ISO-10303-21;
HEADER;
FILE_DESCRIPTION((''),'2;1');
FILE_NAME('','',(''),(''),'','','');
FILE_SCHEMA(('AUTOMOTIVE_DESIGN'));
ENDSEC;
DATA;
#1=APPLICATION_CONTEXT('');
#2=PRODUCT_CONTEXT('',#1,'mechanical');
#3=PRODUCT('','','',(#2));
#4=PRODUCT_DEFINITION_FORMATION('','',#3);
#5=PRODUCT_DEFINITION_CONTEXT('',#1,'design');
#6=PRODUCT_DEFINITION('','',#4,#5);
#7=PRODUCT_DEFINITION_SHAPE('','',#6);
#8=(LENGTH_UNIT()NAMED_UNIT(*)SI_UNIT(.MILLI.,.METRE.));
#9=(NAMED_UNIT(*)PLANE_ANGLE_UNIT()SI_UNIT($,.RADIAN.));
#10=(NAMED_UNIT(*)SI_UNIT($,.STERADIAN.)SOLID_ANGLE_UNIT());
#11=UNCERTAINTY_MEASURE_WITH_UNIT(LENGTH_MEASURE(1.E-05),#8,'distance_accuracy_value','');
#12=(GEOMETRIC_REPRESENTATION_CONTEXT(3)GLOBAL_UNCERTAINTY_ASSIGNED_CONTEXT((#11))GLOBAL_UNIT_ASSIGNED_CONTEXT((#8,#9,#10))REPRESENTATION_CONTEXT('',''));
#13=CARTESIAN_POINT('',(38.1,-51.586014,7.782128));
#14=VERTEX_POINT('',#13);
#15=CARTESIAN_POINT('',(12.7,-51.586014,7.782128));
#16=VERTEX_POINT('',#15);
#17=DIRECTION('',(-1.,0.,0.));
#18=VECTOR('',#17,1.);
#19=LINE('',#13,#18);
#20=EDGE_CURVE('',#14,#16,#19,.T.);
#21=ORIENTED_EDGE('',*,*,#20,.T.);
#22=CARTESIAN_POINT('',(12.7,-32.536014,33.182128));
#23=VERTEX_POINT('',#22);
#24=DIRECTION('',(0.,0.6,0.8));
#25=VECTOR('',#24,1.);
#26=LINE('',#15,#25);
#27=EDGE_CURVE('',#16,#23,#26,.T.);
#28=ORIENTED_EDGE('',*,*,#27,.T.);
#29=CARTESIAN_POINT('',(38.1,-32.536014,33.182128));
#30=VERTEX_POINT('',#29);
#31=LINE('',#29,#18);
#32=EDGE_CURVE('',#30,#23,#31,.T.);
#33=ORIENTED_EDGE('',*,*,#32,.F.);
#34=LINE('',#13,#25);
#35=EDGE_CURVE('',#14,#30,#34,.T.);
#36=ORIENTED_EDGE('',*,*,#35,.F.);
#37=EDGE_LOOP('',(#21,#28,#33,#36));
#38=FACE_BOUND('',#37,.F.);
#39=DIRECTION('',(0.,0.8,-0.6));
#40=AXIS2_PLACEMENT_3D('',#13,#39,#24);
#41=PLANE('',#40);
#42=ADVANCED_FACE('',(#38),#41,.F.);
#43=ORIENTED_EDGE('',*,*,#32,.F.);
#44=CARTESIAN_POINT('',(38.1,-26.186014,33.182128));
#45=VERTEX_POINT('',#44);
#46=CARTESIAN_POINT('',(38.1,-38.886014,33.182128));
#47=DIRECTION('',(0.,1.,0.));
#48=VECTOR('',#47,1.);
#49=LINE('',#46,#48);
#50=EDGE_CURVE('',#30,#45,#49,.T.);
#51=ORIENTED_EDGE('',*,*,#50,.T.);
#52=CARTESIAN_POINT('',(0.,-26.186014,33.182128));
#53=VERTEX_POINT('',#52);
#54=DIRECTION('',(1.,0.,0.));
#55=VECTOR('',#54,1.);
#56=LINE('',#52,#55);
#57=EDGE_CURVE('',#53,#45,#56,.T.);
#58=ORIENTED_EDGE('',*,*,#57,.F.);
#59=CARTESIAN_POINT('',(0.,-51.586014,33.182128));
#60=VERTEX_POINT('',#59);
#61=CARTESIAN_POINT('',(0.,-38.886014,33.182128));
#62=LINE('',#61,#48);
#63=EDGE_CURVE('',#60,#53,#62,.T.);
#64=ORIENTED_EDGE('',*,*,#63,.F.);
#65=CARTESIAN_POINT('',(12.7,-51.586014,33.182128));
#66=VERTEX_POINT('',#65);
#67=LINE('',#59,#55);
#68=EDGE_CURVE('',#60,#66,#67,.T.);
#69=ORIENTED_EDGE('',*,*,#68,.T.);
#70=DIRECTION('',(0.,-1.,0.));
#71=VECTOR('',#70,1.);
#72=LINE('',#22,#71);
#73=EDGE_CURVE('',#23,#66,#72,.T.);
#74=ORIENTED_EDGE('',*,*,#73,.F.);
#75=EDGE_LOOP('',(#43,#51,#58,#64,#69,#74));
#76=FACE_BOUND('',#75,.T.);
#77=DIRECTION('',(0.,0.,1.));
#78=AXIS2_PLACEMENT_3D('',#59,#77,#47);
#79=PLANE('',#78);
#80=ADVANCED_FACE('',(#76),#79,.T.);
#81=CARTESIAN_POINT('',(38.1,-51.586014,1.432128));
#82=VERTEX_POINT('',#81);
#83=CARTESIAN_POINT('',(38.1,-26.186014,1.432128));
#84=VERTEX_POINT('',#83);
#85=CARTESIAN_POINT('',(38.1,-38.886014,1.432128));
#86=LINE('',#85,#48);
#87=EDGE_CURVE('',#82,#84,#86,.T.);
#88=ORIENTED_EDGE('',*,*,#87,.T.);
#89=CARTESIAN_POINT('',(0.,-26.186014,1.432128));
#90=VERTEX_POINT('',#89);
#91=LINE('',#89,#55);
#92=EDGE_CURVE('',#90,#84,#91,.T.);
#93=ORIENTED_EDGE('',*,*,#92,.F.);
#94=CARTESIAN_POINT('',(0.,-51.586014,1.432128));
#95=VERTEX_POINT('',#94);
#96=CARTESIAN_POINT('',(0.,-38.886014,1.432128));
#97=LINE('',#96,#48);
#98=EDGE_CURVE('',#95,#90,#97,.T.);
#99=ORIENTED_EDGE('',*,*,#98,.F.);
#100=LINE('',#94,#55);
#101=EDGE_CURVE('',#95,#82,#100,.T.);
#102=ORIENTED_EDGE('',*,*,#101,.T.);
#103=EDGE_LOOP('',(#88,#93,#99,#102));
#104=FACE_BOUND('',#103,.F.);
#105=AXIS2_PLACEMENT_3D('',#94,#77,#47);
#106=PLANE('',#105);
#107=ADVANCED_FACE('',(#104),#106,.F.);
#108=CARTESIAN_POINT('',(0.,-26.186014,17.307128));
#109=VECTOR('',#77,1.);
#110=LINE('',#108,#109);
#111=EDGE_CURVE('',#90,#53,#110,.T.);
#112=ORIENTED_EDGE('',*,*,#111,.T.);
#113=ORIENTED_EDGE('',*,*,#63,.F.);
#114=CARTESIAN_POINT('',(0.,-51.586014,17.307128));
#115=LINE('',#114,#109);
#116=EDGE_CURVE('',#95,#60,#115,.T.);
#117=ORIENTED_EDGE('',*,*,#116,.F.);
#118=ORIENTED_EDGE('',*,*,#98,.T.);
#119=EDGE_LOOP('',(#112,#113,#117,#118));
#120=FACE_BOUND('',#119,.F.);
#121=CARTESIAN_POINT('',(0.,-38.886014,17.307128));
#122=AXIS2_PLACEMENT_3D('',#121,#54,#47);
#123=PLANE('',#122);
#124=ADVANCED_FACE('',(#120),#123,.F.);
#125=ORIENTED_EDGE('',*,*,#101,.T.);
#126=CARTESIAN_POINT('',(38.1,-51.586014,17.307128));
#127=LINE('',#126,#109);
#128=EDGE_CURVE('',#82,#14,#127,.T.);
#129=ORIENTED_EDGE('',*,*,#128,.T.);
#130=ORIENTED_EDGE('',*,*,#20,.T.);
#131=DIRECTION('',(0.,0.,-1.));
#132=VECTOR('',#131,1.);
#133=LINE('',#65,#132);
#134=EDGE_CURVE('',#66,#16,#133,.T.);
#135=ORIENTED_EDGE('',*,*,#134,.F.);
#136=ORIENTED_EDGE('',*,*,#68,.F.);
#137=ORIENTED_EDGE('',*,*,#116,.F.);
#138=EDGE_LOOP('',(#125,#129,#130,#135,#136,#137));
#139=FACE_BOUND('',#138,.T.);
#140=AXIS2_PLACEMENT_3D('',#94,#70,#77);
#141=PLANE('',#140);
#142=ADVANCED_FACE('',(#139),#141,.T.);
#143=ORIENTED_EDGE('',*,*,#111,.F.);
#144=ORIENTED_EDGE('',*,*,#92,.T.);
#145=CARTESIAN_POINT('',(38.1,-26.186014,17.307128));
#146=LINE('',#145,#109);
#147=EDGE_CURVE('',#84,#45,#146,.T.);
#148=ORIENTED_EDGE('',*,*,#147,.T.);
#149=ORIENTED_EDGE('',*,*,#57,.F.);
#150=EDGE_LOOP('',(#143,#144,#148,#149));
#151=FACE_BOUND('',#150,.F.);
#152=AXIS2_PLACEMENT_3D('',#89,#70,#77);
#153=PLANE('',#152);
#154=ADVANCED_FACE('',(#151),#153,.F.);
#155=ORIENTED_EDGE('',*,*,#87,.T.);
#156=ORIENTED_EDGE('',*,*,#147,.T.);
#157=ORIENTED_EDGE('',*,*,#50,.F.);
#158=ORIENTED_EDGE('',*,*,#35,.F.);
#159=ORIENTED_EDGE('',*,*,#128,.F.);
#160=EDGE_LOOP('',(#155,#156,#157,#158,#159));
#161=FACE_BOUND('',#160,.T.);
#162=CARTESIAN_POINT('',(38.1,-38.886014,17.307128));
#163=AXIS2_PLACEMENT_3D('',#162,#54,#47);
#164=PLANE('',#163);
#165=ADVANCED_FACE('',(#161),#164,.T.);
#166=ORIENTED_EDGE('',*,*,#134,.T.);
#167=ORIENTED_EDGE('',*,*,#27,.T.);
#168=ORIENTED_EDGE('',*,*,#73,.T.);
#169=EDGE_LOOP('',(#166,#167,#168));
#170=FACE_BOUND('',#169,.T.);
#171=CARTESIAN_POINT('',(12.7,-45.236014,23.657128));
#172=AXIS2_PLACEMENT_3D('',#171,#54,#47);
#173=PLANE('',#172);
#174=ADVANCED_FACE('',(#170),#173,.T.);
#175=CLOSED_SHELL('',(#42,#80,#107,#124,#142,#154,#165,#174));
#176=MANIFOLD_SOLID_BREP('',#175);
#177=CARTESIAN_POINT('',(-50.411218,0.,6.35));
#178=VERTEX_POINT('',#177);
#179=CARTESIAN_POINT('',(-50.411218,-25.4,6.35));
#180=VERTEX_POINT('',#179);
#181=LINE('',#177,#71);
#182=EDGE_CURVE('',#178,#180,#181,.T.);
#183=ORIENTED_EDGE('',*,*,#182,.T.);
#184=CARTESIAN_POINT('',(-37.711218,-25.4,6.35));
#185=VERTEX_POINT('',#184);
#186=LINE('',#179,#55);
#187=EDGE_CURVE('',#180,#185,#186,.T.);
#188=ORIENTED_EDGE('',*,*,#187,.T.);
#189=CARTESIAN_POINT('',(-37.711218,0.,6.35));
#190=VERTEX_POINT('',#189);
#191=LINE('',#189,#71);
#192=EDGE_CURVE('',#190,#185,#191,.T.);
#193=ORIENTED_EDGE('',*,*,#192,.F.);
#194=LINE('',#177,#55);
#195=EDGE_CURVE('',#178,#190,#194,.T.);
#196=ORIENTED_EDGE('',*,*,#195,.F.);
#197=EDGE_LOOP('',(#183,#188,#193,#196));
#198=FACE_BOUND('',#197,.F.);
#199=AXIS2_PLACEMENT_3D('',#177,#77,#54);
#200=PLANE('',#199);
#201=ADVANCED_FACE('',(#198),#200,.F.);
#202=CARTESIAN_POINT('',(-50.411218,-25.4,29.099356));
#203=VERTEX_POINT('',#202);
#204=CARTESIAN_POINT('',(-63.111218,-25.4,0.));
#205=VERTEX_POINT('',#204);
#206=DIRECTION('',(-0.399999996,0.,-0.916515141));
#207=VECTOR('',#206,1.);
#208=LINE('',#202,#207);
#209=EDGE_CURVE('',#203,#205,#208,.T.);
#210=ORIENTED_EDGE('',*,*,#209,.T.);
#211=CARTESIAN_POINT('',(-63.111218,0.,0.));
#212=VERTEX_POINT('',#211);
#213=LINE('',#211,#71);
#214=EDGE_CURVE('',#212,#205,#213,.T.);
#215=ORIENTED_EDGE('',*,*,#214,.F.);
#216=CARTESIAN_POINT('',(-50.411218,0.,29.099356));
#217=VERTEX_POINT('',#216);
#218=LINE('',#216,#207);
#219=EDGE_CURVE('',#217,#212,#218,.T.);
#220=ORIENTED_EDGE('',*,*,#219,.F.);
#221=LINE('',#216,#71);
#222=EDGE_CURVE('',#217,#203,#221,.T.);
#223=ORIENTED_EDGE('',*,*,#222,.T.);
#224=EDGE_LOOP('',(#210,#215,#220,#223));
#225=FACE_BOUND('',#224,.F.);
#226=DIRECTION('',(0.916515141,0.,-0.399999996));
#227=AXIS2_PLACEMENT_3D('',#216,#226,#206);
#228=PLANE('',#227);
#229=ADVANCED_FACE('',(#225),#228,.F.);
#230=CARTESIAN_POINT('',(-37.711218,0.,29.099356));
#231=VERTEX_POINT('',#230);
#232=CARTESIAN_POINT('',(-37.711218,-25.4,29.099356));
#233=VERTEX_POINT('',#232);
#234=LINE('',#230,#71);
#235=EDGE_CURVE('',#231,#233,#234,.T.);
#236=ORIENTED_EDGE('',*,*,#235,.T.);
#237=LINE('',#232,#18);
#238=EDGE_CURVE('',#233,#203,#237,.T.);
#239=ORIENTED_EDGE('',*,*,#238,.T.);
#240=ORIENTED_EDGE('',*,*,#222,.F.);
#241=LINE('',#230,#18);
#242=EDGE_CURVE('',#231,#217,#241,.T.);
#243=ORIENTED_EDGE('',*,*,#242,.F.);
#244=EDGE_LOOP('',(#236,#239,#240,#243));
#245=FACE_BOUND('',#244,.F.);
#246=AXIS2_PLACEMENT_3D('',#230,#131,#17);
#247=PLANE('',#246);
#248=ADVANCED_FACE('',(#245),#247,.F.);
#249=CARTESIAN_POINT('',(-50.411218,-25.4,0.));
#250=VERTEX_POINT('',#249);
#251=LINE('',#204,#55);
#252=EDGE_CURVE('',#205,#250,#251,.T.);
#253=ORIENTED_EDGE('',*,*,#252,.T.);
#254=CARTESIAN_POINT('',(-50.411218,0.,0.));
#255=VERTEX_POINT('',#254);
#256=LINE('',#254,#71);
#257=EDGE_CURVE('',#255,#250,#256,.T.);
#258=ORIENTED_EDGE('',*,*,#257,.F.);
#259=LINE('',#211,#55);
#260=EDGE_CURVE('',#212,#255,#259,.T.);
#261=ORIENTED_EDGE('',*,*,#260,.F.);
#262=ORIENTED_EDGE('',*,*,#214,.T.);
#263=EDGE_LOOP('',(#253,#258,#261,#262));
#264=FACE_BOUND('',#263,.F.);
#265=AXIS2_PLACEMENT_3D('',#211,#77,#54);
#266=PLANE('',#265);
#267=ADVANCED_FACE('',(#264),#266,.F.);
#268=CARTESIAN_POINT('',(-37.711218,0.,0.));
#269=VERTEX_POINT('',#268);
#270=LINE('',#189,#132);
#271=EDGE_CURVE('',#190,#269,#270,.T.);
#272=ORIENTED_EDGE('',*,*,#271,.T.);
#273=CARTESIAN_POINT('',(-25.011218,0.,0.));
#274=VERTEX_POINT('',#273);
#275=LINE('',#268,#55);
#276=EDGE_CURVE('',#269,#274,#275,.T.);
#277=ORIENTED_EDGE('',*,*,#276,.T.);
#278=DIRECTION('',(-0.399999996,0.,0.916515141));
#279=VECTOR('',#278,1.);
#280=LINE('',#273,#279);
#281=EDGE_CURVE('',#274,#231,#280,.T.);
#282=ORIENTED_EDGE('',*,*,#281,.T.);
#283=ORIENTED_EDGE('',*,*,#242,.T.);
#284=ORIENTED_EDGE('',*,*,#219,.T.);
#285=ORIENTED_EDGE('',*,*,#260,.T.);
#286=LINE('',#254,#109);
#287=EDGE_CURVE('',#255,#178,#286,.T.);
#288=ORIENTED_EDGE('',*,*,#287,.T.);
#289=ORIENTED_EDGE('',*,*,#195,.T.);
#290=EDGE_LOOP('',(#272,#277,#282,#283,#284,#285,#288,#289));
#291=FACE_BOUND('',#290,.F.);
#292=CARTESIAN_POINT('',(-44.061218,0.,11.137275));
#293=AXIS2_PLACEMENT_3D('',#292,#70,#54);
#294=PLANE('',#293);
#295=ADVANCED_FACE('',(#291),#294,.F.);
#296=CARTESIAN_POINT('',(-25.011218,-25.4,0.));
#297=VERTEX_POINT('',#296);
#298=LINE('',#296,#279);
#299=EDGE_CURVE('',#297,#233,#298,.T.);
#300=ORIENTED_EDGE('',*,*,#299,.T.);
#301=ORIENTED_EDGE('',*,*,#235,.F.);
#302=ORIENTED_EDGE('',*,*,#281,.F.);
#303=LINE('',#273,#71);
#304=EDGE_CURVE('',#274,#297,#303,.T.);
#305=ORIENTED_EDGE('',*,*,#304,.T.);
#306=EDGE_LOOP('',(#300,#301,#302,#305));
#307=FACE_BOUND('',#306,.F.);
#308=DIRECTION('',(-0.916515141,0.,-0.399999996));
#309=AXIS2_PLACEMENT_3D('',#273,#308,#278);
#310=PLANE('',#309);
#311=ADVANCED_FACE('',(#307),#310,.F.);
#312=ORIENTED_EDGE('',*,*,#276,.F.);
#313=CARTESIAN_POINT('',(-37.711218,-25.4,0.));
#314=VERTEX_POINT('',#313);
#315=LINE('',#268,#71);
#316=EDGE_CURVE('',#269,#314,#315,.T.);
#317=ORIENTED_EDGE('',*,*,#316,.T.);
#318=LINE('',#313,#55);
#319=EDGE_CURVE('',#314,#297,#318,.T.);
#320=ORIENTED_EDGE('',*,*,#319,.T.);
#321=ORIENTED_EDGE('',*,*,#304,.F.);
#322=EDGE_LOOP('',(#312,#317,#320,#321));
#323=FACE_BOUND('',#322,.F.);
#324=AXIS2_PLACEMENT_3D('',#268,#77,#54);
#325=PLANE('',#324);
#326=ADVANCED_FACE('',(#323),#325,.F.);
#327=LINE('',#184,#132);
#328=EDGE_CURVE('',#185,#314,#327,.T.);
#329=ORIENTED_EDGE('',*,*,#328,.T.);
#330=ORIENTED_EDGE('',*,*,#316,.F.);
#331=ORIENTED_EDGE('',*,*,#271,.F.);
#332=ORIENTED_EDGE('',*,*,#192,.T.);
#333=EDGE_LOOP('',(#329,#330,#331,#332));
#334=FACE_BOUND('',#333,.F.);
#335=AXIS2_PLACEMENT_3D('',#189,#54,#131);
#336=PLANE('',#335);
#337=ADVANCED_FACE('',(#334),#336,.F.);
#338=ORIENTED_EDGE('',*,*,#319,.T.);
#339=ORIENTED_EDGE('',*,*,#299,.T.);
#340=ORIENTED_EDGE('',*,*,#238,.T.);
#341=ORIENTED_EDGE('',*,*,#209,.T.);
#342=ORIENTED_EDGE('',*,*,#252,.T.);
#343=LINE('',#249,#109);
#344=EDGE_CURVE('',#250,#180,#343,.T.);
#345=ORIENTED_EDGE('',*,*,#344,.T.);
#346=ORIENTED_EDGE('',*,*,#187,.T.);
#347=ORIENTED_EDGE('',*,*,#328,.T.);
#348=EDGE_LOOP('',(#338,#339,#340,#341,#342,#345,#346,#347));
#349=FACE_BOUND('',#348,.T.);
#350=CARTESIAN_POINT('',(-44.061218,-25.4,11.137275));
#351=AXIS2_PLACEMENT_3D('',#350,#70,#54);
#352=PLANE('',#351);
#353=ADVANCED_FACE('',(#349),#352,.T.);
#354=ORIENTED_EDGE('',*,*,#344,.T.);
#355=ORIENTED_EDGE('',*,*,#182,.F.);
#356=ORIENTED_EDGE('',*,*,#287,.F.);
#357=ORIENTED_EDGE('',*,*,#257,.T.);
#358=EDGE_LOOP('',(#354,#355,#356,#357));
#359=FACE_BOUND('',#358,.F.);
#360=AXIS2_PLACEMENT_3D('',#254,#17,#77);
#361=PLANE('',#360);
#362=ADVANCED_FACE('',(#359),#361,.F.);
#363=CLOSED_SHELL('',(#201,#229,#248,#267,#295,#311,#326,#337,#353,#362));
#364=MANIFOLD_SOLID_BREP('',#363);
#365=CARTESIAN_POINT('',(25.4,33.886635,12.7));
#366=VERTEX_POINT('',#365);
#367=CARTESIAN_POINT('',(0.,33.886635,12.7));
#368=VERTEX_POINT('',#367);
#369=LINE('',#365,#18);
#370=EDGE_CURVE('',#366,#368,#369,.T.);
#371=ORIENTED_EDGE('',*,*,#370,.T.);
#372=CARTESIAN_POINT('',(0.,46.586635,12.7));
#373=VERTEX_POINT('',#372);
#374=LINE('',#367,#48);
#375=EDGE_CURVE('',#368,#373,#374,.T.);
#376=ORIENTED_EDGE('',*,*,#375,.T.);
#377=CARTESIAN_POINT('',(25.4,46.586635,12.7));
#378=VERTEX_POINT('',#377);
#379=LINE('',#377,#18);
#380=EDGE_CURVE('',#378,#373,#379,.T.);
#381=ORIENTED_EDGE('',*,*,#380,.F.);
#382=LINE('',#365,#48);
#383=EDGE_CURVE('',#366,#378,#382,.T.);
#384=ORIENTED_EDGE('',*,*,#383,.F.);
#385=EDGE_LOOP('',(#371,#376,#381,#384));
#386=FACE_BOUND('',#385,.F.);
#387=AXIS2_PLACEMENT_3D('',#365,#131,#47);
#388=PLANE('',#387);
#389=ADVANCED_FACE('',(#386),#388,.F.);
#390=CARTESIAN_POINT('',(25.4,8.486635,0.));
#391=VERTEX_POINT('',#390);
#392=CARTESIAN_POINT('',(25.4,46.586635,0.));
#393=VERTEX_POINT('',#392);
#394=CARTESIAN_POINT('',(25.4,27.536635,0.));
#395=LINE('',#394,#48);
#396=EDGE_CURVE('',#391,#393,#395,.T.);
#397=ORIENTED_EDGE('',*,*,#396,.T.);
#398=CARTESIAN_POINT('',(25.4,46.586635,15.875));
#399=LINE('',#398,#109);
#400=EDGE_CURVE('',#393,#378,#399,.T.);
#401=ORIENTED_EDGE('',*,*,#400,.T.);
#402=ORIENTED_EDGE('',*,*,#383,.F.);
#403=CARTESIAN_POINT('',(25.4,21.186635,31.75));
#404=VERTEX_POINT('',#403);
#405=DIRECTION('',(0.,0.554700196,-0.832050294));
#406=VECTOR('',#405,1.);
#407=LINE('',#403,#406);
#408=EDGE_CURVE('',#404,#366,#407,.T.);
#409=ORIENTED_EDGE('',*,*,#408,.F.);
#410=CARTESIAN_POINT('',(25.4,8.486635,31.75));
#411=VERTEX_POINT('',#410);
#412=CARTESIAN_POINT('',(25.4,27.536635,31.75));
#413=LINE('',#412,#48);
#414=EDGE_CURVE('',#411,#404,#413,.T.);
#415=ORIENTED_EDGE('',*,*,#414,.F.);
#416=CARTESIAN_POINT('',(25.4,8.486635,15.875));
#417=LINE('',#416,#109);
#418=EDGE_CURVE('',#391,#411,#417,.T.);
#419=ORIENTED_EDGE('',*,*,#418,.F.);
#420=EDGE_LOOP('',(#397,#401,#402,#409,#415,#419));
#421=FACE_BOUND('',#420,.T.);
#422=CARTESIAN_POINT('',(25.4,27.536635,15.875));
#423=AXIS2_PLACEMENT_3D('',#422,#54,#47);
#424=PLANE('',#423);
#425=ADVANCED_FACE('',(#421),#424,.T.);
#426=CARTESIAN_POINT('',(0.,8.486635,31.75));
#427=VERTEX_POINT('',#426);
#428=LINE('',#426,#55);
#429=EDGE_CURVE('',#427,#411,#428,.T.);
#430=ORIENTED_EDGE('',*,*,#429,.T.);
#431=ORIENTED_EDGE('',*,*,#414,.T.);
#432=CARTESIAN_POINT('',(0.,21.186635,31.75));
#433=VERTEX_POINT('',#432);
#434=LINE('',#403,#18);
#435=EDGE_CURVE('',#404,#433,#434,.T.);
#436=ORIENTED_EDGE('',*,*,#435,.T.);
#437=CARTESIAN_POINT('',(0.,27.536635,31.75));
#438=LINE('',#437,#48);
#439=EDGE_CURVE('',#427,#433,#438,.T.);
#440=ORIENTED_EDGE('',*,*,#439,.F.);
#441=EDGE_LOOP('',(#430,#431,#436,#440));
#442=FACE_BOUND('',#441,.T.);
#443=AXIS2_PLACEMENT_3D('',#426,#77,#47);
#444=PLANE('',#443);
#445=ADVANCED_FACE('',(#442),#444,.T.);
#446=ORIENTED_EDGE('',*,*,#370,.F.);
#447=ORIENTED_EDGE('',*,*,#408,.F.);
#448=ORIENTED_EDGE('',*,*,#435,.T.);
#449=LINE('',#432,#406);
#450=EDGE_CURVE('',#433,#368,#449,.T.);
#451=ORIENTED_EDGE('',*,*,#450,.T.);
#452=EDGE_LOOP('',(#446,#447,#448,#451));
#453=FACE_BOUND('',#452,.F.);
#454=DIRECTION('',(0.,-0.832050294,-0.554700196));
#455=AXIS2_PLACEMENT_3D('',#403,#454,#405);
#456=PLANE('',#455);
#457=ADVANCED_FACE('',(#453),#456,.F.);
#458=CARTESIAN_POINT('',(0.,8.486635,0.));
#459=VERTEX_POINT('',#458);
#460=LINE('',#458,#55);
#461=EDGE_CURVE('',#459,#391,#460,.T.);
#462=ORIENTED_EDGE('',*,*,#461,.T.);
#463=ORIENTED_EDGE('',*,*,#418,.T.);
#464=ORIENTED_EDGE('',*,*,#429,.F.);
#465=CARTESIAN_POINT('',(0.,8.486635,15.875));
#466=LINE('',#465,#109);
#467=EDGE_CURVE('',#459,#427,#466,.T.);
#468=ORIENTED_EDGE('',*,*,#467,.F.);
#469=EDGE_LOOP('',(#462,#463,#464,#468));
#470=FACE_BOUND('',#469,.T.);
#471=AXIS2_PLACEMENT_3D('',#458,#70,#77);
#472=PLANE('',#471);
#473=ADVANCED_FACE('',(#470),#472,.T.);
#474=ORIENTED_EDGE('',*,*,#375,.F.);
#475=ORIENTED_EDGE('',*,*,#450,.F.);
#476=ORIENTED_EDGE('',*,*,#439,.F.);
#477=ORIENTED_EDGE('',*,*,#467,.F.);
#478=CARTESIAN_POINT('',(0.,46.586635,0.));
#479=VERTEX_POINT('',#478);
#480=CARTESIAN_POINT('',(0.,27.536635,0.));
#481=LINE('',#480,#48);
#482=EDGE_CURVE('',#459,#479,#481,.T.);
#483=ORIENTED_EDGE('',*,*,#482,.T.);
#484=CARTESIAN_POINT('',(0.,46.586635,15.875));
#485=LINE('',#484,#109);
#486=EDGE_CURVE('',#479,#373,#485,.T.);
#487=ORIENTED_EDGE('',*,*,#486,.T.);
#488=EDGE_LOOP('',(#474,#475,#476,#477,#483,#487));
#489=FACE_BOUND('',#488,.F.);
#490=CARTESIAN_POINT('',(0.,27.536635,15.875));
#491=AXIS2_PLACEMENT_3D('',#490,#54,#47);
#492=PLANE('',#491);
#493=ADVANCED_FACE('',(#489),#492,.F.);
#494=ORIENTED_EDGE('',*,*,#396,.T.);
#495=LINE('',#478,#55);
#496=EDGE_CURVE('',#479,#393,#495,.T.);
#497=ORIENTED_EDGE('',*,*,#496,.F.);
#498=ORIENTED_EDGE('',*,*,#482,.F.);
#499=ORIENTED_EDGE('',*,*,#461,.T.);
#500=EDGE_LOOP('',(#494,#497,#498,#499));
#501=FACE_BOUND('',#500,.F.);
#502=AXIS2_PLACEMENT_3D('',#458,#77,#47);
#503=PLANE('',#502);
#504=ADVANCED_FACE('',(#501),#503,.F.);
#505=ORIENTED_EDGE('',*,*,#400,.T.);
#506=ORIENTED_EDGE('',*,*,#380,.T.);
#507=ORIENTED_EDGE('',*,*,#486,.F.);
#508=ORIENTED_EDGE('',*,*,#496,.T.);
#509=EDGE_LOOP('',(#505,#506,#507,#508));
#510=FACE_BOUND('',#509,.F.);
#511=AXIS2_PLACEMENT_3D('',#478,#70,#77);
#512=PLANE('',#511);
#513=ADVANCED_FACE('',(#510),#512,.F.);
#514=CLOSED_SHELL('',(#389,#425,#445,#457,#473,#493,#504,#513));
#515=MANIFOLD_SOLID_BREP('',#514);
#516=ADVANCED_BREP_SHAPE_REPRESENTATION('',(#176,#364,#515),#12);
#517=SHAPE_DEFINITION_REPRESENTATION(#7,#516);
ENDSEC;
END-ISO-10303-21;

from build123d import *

# Parameters (mm, degrees)
F0_W     = 25.4
F0_H     = 31.75
F1_DEPTH = 38.1
F3_DEPTH = 25.4
F4_W     = 38.1
F4_H     = 31.75
F5_DEPTH = 25.4
F7_DEPTH = 25.4
F9_DEPTH = 25.4


with BuildPart() as f1:
    # F0 (on Right) → F1 (new body)
    with BuildSketch(Plane.YZ):
        with Locations((-38.886014, 17.307128)):
            Rectangle(F0_W, F0_H)
    extrude(amount=F1_DEPTH)

    # F2 (on face) → F3 (cut)
    with BuildSketch(Plane.YZ.offset(38.1)):
        Polygon((-51.586014, 7.782128), (-32.536014, 33.182128), (-51.586014, 33.182128), align=None)
    extrude(amount=-F3_DEPTH, mode=Mode.SUBTRACT)


with BuildPart() as f5:
    # F4 (on Right) → F5 (new body)
    with BuildSketch(Plane.YZ):
        with Locations((27.536635, 15.875)):
            Rectangle(F4_W, F4_H)
    extrude(amount=F5_DEPTH)

    # F6 (on face) → F7 (cut)
    with BuildSketch(Plane.YZ.offset(25.4)):
        Polygon((33.886635, 12.7), (46.586635, 12.7), (46.586635, 31.75), (21.186635, 31.75), align=None)
    extrude(amount=-F7_DEPTH, mode=Mode.SUBTRACT)


with BuildPart() as f9:
    # F8 (on Front) → F9 (new body)
    with BuildSketch(Plane.XZ):
        Polygon((-50.411218, 29.099356), (-63.111218, 0), (-50.411218, 0), (-50.411218, 6.35), (-37.711218, 6.35), (-37.711218, 0), (-25.011218, 0), (-37.711218, 29.099356), align=None)
    extrude(amount=F9_DEPTH)


solid = Compound([f1.part, f5.part, f9.part])
